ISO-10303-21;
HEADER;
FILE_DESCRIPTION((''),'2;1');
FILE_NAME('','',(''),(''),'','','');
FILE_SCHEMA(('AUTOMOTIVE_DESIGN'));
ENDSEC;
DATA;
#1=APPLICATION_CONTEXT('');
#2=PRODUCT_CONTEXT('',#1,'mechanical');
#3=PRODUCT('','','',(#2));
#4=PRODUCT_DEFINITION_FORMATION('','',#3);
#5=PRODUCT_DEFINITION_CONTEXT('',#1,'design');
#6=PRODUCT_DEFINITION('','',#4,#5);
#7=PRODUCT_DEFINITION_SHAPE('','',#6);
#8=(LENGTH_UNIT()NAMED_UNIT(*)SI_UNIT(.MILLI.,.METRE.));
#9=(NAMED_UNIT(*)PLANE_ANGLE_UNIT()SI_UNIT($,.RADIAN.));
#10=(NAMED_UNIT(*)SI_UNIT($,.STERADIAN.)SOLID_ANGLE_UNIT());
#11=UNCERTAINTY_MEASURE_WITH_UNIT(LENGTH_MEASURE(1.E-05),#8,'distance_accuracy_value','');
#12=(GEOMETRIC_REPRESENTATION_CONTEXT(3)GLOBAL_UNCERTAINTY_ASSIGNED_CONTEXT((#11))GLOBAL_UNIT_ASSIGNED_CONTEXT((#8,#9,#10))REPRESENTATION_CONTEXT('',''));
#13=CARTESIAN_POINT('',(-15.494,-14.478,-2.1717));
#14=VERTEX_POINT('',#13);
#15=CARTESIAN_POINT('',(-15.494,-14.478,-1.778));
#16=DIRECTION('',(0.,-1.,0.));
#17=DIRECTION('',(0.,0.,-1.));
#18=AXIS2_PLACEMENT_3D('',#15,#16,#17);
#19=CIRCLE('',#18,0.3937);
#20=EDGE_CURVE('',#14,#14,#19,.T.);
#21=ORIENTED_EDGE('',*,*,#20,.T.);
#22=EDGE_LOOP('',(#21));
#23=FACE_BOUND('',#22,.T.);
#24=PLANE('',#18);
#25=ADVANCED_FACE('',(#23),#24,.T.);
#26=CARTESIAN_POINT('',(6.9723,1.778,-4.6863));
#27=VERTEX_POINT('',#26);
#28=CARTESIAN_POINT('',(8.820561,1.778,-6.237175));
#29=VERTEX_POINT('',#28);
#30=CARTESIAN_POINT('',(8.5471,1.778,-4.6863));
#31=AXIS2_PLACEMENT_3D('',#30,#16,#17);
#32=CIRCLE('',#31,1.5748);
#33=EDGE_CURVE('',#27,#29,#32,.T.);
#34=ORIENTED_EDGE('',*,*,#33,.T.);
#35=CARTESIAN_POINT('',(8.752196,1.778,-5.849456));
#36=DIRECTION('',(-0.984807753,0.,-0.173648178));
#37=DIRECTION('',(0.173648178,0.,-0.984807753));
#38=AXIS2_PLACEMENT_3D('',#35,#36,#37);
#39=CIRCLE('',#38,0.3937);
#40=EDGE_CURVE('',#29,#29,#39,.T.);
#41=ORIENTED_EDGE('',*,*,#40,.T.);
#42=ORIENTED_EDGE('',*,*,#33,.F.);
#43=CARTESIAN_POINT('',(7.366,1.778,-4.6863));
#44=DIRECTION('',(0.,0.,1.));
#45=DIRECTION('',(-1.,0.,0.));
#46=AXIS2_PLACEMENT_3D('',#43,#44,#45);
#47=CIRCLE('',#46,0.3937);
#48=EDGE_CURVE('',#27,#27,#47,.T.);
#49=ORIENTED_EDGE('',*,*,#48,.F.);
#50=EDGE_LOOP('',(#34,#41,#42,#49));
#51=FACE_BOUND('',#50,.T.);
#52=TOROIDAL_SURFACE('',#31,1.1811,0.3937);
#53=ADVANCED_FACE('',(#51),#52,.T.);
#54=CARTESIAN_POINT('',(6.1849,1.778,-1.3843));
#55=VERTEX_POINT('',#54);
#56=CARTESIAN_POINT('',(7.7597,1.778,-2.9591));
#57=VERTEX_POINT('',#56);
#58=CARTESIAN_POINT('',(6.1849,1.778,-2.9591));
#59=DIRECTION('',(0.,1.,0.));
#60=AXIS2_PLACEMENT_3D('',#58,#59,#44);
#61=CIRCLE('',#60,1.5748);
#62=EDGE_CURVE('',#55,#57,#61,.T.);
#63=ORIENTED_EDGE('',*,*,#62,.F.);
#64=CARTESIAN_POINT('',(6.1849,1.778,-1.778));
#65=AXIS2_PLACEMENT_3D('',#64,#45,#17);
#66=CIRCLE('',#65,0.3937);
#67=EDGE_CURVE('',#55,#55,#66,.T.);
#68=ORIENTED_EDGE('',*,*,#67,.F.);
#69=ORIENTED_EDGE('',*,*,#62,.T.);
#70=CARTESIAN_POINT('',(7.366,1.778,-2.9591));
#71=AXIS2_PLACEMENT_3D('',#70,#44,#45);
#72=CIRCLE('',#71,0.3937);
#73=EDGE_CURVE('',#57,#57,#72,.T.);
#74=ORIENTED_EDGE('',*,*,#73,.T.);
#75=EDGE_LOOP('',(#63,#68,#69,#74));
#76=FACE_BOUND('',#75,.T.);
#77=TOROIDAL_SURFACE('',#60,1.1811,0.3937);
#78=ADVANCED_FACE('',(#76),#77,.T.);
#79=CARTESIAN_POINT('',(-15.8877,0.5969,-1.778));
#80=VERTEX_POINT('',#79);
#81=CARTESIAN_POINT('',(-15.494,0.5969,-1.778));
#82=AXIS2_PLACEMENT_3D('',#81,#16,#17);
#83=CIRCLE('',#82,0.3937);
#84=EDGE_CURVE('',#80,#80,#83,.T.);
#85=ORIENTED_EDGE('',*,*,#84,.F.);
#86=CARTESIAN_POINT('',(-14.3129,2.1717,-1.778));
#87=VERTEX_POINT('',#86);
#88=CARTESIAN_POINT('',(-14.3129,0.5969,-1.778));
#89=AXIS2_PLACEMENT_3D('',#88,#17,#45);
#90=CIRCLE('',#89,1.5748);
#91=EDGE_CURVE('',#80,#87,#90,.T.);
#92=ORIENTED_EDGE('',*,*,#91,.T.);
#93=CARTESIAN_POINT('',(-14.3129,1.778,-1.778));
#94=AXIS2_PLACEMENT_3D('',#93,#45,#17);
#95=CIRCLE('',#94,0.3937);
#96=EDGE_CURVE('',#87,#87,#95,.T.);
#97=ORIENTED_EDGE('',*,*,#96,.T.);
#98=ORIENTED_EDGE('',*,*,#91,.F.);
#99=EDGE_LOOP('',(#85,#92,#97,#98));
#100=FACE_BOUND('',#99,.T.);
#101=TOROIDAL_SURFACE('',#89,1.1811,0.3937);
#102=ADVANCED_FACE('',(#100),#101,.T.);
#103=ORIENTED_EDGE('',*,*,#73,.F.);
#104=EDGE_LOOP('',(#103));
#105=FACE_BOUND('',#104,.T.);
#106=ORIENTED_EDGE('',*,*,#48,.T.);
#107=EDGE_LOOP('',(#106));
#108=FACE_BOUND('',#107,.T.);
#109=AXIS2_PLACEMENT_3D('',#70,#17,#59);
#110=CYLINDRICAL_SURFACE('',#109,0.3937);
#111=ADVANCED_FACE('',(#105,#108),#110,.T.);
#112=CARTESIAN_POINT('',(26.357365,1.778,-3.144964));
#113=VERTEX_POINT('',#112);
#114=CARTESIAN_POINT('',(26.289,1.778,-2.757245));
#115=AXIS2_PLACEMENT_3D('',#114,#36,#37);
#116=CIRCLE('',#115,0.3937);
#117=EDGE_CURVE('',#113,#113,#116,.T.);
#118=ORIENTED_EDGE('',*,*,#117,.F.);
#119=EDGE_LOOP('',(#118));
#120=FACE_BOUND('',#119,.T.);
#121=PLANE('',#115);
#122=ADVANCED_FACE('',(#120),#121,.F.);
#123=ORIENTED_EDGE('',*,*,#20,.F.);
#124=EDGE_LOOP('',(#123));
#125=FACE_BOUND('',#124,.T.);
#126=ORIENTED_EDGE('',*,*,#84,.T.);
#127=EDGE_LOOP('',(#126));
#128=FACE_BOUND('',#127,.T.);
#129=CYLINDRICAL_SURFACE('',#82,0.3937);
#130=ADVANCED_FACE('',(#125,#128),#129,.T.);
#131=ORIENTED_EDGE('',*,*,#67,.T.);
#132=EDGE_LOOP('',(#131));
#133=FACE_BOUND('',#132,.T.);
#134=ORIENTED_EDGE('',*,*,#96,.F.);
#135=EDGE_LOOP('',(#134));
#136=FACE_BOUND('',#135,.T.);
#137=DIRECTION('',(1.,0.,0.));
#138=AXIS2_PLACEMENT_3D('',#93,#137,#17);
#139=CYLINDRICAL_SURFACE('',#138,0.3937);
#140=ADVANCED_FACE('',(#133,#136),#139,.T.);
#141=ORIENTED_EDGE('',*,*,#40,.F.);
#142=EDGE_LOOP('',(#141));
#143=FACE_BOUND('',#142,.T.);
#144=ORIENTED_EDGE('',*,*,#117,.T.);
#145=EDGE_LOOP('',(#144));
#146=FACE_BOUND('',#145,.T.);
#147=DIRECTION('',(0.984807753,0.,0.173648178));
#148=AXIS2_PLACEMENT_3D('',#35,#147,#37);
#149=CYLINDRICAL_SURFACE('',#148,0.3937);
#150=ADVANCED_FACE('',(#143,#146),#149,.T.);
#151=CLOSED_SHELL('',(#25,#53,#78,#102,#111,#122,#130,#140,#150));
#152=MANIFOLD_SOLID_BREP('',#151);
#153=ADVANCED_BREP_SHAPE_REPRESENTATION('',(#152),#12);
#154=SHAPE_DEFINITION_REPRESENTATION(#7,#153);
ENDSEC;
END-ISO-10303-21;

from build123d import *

# Parameters (mm, degrees)
SKETCH3_R = 0.3937


with BuildPart() as part:
    # Sweep3: sweep along a curve in space
    with BuildLine() as sweep3_path:
        Line((-15.494, 0.5969, -1.778), (-15.494, -14.478, -1.778))
        ThreePointArc((-14.3129, 1.778, -1.778), (-15.148063819, 1.432063819, -1.778), (-15.494, 0.5969, -1.778))
        Line((6.1849, 1.778, -1.778), (-14.3129, 1.778, -1.778))
        ThreePointArc((7.366, 1.778, -2.9591), (7.020063819, 1.778, -2.123936181), (6.1849, 1.778, -1.778))
        Line((7.366, 1.778, -2.9591), (7.366, 1.778, -4.6863))
        ThreePointArc((8.752195863, 1.778, -5.849456437), (7.787903554, 1.778, -5.591075092), (7.366, 1.778, -4.6863))
        Line((8.752195863, 1.778, -5.849456437), (26.289, 1.778, -2.757244712))
    # Sketch3 → Sweep3 (sweep)
    with BuildSketch(Plane(origin=(-15.494, -14.478, -1.778), x_dir=(1, 0, 0), z_dir=(0, -1, 0))):
        Circle(SKETCH3_R)
    sweep(path=sweep3_path.line)


solid = part.part
